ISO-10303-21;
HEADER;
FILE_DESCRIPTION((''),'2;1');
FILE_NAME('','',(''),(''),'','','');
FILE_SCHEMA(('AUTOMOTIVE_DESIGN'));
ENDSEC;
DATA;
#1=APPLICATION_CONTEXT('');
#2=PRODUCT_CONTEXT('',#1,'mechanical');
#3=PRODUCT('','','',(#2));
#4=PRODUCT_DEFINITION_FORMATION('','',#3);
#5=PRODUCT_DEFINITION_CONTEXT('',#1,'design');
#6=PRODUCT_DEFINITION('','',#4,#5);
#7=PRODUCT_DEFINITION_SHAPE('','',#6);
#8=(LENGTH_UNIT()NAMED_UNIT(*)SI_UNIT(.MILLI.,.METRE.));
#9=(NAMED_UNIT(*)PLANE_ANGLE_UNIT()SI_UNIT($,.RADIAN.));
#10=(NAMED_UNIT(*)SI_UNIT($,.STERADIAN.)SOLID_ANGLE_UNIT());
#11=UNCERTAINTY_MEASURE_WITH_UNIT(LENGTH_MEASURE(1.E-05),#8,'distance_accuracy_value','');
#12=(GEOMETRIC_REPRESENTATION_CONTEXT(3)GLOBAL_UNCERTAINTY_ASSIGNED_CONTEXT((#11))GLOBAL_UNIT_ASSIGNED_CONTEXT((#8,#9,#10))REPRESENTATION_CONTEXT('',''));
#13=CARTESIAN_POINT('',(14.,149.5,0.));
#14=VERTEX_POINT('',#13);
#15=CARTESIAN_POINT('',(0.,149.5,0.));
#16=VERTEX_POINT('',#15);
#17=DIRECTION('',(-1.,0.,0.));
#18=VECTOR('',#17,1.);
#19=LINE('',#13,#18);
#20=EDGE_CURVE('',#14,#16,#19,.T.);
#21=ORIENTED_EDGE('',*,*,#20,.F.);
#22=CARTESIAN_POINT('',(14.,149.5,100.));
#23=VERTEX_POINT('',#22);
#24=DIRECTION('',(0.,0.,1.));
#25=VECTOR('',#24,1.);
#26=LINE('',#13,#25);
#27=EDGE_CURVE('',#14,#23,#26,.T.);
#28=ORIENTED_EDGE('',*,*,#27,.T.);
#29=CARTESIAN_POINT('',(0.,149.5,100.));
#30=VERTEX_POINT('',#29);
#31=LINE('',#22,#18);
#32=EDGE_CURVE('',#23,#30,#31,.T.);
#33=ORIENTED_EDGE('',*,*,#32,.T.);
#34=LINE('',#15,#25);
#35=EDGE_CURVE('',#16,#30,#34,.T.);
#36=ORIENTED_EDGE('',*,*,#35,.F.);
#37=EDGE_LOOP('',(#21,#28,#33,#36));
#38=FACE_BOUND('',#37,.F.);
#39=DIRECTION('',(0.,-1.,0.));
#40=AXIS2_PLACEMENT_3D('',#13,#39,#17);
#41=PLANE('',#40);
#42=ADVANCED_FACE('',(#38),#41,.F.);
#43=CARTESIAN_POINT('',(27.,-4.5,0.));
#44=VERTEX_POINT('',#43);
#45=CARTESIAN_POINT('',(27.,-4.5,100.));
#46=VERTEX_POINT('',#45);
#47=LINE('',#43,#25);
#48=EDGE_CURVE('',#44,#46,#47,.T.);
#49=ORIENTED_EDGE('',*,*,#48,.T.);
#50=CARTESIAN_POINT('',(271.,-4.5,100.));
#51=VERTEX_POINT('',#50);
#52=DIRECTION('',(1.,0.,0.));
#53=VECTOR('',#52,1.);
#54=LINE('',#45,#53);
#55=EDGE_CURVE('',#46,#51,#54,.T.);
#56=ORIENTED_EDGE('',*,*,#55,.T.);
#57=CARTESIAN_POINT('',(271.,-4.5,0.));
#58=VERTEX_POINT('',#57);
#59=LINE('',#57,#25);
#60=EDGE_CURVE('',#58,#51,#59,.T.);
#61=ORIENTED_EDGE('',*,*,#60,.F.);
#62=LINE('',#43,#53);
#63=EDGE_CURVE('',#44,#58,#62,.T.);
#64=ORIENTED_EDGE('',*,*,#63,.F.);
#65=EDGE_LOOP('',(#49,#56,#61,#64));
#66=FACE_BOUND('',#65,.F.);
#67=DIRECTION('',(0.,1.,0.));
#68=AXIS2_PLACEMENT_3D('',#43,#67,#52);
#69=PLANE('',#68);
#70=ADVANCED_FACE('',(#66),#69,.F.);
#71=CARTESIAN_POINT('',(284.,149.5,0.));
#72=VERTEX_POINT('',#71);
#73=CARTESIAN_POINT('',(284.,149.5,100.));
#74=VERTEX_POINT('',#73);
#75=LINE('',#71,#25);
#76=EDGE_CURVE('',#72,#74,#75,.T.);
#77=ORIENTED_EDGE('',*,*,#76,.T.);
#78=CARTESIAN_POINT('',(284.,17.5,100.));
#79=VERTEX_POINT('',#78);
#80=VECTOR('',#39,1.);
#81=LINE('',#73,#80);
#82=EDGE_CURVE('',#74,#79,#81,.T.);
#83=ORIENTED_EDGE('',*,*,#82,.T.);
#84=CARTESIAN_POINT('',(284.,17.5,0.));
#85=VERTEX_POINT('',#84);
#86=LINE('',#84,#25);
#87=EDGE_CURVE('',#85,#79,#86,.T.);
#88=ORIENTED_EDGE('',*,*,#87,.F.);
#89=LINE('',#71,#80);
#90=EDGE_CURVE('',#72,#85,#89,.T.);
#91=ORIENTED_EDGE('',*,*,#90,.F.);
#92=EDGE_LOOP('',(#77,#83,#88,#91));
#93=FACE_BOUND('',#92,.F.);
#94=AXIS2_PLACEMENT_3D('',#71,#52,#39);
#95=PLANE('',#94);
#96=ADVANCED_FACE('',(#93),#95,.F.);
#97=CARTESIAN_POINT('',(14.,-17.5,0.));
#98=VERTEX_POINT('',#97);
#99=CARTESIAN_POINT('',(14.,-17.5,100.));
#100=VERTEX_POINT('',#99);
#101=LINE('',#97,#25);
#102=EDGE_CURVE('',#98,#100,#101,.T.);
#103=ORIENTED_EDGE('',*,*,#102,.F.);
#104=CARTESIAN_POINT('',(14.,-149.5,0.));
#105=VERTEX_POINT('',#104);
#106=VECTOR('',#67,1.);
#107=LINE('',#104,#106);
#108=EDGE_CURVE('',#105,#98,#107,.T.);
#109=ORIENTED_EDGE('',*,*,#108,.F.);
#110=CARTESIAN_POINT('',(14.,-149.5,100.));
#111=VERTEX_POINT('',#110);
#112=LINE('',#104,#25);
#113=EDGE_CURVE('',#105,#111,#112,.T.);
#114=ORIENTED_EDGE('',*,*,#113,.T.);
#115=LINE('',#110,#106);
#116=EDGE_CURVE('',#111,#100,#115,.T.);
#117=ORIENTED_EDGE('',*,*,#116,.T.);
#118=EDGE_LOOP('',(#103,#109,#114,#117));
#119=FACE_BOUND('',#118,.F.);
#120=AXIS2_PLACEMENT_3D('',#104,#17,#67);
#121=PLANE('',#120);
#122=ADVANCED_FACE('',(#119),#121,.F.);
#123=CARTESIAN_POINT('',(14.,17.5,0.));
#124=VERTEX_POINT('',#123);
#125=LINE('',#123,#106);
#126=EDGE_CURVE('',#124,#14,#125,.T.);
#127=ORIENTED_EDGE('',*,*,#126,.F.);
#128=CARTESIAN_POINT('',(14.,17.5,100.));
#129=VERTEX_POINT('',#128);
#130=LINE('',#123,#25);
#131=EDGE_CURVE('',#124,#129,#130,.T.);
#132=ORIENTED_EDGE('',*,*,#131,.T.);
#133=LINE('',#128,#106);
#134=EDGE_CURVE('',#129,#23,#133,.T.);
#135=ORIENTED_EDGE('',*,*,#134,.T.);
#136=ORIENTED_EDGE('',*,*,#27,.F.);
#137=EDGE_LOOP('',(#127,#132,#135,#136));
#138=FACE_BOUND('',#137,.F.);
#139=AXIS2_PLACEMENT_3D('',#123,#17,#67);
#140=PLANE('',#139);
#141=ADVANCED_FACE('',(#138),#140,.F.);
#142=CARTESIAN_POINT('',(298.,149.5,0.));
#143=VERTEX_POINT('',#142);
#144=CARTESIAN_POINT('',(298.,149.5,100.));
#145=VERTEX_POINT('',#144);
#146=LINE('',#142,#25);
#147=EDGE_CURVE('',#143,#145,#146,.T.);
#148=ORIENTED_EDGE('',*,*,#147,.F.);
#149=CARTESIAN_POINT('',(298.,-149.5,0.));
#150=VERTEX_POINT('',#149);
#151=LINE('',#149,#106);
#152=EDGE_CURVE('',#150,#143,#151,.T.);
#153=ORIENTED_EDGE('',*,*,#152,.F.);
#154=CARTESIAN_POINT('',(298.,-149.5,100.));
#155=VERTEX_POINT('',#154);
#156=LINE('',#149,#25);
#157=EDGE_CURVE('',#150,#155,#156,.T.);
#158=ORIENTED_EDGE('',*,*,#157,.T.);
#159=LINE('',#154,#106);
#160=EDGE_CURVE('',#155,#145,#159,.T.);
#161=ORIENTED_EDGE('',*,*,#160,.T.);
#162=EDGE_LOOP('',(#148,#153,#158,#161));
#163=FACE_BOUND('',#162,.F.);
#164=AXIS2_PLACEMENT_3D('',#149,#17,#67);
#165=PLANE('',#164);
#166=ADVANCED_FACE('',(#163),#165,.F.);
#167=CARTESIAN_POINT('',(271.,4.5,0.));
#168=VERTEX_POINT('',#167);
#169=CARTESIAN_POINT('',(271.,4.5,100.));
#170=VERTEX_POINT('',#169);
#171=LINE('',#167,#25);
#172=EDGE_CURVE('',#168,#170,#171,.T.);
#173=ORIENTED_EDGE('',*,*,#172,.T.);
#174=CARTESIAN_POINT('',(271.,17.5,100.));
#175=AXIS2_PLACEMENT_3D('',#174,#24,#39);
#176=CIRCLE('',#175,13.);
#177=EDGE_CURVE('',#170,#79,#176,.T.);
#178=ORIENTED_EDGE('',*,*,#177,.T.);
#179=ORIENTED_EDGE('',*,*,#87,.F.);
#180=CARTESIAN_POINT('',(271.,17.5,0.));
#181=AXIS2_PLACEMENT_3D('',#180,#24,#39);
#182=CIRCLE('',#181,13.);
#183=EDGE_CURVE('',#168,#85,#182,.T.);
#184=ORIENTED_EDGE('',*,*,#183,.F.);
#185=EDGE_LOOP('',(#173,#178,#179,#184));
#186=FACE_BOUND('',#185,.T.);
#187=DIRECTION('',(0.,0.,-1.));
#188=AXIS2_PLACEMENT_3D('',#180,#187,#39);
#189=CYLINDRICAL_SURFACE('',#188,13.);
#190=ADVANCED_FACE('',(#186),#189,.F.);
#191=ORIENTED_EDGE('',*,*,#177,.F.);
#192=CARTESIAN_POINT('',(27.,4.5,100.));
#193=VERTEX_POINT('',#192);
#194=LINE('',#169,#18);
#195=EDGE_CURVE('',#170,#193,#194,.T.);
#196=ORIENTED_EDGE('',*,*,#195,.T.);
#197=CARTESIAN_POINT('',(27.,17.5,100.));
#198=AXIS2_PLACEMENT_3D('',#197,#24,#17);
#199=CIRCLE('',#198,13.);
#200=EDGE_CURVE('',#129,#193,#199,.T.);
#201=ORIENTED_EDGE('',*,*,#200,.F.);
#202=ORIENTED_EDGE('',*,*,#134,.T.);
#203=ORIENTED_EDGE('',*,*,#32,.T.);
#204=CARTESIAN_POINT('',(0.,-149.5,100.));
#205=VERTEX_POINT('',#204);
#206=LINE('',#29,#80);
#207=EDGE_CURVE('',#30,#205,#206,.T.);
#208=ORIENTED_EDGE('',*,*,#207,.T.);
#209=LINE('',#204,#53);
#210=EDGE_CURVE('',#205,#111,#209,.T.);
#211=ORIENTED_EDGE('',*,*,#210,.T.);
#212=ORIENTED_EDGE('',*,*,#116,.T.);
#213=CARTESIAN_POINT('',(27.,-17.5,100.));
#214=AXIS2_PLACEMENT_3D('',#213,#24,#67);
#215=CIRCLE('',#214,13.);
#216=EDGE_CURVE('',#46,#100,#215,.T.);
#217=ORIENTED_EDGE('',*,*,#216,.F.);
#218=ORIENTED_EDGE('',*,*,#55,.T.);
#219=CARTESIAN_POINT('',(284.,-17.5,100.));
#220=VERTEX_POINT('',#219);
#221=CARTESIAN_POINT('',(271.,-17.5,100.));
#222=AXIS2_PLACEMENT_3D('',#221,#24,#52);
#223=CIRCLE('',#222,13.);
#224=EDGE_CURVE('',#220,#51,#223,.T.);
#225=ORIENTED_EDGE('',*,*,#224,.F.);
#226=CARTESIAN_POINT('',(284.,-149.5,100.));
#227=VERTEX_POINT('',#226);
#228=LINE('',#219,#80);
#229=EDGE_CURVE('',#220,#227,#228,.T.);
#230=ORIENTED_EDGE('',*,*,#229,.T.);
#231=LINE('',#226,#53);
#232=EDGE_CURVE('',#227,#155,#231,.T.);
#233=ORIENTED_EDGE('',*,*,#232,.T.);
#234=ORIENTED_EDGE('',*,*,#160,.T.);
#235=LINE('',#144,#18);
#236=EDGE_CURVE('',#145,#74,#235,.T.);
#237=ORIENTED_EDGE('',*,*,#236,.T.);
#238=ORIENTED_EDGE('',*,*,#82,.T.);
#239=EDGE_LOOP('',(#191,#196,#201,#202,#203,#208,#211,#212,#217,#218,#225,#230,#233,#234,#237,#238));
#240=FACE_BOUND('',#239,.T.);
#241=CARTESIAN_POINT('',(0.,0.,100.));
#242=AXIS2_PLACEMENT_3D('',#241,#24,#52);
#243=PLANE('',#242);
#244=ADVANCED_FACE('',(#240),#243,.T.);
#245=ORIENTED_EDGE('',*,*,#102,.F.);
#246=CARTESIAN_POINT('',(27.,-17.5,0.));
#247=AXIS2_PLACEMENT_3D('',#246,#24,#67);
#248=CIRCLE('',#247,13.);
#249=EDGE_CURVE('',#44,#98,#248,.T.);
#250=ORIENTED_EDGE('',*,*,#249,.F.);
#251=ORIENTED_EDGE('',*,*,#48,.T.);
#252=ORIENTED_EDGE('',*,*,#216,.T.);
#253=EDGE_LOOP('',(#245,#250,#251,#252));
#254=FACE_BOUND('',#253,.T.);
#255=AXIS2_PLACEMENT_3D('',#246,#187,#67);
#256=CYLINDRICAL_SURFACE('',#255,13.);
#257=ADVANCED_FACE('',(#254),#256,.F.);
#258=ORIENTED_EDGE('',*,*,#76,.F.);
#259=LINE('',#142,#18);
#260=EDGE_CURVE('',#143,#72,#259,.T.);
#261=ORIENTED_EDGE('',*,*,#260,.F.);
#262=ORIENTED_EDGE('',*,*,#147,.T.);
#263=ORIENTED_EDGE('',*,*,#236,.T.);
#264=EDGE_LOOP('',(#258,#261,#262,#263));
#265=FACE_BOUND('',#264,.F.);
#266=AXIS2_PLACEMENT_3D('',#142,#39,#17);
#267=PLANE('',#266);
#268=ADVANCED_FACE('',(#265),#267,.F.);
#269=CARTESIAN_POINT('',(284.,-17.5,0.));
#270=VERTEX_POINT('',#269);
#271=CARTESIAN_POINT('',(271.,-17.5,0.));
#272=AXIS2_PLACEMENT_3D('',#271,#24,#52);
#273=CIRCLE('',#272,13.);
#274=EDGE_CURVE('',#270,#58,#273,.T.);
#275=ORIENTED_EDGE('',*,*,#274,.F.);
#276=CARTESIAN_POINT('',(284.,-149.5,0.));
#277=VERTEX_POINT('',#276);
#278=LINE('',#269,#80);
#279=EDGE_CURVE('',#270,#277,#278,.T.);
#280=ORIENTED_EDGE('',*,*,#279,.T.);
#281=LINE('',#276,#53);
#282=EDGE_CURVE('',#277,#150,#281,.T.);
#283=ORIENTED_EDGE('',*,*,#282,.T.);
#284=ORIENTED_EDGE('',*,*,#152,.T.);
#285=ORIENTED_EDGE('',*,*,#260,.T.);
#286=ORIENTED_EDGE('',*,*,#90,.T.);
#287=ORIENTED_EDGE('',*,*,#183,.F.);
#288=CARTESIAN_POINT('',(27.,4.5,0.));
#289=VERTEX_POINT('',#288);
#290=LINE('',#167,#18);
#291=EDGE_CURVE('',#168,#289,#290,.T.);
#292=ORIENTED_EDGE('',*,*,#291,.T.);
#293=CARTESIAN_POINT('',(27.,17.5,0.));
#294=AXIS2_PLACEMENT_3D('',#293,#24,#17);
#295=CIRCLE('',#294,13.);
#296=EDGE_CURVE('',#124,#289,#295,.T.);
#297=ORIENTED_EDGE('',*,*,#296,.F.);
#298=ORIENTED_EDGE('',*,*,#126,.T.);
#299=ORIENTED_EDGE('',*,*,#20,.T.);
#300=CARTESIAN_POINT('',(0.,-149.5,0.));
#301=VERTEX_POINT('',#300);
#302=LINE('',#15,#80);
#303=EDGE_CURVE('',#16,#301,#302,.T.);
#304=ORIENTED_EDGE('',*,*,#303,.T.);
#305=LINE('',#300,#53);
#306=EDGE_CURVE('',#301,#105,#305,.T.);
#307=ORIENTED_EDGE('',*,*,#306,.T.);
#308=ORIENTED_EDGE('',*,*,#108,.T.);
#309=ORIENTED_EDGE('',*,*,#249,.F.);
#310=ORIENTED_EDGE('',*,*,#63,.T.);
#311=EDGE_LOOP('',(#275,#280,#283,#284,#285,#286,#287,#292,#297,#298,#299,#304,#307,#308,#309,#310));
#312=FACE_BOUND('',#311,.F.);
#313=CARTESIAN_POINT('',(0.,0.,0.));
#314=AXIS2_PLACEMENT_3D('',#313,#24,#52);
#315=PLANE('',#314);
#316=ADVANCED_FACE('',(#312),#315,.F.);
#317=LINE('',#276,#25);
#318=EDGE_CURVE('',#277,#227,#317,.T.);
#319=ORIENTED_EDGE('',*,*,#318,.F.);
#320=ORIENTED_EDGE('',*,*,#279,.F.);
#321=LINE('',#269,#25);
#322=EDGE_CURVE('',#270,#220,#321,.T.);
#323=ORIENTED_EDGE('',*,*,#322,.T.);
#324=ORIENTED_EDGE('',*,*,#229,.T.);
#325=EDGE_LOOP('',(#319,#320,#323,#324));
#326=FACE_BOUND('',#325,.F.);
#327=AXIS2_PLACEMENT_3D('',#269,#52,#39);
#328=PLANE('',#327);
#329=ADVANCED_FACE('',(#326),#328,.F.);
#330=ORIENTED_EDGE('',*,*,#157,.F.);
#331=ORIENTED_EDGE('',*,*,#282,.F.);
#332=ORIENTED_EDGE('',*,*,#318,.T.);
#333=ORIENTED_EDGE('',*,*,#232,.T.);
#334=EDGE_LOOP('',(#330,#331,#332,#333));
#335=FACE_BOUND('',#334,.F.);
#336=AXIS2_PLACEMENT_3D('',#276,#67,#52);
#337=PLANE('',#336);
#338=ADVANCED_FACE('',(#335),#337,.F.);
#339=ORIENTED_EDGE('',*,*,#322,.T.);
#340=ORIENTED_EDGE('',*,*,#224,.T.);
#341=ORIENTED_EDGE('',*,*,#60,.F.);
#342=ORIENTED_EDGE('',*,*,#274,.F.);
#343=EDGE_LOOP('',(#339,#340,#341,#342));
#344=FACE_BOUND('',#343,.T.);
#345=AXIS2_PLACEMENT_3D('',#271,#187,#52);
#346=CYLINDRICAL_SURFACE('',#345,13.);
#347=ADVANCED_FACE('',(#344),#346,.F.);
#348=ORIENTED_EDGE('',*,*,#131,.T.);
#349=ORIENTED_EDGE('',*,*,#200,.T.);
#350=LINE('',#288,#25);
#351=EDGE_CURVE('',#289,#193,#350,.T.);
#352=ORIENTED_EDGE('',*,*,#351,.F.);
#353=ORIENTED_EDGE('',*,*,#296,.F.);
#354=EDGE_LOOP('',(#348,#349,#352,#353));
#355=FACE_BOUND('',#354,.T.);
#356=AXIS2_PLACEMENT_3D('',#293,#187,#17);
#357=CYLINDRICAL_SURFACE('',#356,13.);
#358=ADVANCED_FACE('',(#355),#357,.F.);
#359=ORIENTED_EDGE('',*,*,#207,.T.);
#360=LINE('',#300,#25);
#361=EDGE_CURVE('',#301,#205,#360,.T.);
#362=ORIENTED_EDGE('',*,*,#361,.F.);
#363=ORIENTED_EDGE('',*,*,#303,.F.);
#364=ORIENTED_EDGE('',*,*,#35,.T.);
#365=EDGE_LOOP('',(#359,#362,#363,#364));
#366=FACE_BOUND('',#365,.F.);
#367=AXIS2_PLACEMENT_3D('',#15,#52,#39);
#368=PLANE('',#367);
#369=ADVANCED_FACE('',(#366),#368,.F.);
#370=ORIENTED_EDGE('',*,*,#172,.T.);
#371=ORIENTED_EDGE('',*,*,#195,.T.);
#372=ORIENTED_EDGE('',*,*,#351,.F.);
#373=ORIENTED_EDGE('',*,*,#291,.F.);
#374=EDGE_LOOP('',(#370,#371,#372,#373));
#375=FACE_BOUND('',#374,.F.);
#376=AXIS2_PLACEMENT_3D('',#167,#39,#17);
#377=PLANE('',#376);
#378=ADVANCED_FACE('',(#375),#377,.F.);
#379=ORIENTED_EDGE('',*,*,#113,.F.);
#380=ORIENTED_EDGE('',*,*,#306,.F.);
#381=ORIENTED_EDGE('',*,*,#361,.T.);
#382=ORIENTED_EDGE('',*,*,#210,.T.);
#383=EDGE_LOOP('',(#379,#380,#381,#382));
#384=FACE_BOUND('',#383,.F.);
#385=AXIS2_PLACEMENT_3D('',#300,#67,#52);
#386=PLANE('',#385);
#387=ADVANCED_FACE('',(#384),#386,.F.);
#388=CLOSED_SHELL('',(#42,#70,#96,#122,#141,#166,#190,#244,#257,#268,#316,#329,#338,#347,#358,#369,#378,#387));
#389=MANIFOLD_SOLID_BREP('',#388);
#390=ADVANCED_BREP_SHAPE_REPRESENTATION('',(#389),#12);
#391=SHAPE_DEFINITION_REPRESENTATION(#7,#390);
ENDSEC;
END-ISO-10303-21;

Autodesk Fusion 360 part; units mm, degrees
sketch "スケッチ1" plane through (0, 0, 0) normal (0, 0, 1) x (1, 0, 0)
  line L0 (298, 149.5) -> (284, 149.5)
  line L1 (284, -149.5) -> (298, -149.5)
  line L2 (0, 149.5) -> (0, -149.5)
  line L3 (14, 17.5) -> (14, 149.5)
  line L4 (284, 149.5) -> (284, 17.5)
  line L5 (284, -17.5) -> (284, -149.5)
  line L6 (14, -149.5) -> (14, -17.5)
  line L7 (0, -149.5) -> (14, -149.5)
  line L8 (271, 4.5) -> (27, 4.5)
  line L9 (27, -4.5) -> (271, -4.5)
  line L10 (14, 149.5) -> (0, 149.5)
  line L11 (298, -149.5) -> (298, 149.5)
  arc A0 (27, -4.5) -> (14, -17.5) centre (27, -17.5) ccw
  arc A1 (14, 17.5) -> (27, 4.5) centre (27, 17.5) ccw
  arc A2 (271, 4.5) -> (284, 17.5) centre (271, 17.5) ccw
  arc A3 (284, -17.5) -> (271, -4.5) centre (271, -17.5) ccw
extrude "押し出し1" add sketch "スケッチ1" along normal blind 100
